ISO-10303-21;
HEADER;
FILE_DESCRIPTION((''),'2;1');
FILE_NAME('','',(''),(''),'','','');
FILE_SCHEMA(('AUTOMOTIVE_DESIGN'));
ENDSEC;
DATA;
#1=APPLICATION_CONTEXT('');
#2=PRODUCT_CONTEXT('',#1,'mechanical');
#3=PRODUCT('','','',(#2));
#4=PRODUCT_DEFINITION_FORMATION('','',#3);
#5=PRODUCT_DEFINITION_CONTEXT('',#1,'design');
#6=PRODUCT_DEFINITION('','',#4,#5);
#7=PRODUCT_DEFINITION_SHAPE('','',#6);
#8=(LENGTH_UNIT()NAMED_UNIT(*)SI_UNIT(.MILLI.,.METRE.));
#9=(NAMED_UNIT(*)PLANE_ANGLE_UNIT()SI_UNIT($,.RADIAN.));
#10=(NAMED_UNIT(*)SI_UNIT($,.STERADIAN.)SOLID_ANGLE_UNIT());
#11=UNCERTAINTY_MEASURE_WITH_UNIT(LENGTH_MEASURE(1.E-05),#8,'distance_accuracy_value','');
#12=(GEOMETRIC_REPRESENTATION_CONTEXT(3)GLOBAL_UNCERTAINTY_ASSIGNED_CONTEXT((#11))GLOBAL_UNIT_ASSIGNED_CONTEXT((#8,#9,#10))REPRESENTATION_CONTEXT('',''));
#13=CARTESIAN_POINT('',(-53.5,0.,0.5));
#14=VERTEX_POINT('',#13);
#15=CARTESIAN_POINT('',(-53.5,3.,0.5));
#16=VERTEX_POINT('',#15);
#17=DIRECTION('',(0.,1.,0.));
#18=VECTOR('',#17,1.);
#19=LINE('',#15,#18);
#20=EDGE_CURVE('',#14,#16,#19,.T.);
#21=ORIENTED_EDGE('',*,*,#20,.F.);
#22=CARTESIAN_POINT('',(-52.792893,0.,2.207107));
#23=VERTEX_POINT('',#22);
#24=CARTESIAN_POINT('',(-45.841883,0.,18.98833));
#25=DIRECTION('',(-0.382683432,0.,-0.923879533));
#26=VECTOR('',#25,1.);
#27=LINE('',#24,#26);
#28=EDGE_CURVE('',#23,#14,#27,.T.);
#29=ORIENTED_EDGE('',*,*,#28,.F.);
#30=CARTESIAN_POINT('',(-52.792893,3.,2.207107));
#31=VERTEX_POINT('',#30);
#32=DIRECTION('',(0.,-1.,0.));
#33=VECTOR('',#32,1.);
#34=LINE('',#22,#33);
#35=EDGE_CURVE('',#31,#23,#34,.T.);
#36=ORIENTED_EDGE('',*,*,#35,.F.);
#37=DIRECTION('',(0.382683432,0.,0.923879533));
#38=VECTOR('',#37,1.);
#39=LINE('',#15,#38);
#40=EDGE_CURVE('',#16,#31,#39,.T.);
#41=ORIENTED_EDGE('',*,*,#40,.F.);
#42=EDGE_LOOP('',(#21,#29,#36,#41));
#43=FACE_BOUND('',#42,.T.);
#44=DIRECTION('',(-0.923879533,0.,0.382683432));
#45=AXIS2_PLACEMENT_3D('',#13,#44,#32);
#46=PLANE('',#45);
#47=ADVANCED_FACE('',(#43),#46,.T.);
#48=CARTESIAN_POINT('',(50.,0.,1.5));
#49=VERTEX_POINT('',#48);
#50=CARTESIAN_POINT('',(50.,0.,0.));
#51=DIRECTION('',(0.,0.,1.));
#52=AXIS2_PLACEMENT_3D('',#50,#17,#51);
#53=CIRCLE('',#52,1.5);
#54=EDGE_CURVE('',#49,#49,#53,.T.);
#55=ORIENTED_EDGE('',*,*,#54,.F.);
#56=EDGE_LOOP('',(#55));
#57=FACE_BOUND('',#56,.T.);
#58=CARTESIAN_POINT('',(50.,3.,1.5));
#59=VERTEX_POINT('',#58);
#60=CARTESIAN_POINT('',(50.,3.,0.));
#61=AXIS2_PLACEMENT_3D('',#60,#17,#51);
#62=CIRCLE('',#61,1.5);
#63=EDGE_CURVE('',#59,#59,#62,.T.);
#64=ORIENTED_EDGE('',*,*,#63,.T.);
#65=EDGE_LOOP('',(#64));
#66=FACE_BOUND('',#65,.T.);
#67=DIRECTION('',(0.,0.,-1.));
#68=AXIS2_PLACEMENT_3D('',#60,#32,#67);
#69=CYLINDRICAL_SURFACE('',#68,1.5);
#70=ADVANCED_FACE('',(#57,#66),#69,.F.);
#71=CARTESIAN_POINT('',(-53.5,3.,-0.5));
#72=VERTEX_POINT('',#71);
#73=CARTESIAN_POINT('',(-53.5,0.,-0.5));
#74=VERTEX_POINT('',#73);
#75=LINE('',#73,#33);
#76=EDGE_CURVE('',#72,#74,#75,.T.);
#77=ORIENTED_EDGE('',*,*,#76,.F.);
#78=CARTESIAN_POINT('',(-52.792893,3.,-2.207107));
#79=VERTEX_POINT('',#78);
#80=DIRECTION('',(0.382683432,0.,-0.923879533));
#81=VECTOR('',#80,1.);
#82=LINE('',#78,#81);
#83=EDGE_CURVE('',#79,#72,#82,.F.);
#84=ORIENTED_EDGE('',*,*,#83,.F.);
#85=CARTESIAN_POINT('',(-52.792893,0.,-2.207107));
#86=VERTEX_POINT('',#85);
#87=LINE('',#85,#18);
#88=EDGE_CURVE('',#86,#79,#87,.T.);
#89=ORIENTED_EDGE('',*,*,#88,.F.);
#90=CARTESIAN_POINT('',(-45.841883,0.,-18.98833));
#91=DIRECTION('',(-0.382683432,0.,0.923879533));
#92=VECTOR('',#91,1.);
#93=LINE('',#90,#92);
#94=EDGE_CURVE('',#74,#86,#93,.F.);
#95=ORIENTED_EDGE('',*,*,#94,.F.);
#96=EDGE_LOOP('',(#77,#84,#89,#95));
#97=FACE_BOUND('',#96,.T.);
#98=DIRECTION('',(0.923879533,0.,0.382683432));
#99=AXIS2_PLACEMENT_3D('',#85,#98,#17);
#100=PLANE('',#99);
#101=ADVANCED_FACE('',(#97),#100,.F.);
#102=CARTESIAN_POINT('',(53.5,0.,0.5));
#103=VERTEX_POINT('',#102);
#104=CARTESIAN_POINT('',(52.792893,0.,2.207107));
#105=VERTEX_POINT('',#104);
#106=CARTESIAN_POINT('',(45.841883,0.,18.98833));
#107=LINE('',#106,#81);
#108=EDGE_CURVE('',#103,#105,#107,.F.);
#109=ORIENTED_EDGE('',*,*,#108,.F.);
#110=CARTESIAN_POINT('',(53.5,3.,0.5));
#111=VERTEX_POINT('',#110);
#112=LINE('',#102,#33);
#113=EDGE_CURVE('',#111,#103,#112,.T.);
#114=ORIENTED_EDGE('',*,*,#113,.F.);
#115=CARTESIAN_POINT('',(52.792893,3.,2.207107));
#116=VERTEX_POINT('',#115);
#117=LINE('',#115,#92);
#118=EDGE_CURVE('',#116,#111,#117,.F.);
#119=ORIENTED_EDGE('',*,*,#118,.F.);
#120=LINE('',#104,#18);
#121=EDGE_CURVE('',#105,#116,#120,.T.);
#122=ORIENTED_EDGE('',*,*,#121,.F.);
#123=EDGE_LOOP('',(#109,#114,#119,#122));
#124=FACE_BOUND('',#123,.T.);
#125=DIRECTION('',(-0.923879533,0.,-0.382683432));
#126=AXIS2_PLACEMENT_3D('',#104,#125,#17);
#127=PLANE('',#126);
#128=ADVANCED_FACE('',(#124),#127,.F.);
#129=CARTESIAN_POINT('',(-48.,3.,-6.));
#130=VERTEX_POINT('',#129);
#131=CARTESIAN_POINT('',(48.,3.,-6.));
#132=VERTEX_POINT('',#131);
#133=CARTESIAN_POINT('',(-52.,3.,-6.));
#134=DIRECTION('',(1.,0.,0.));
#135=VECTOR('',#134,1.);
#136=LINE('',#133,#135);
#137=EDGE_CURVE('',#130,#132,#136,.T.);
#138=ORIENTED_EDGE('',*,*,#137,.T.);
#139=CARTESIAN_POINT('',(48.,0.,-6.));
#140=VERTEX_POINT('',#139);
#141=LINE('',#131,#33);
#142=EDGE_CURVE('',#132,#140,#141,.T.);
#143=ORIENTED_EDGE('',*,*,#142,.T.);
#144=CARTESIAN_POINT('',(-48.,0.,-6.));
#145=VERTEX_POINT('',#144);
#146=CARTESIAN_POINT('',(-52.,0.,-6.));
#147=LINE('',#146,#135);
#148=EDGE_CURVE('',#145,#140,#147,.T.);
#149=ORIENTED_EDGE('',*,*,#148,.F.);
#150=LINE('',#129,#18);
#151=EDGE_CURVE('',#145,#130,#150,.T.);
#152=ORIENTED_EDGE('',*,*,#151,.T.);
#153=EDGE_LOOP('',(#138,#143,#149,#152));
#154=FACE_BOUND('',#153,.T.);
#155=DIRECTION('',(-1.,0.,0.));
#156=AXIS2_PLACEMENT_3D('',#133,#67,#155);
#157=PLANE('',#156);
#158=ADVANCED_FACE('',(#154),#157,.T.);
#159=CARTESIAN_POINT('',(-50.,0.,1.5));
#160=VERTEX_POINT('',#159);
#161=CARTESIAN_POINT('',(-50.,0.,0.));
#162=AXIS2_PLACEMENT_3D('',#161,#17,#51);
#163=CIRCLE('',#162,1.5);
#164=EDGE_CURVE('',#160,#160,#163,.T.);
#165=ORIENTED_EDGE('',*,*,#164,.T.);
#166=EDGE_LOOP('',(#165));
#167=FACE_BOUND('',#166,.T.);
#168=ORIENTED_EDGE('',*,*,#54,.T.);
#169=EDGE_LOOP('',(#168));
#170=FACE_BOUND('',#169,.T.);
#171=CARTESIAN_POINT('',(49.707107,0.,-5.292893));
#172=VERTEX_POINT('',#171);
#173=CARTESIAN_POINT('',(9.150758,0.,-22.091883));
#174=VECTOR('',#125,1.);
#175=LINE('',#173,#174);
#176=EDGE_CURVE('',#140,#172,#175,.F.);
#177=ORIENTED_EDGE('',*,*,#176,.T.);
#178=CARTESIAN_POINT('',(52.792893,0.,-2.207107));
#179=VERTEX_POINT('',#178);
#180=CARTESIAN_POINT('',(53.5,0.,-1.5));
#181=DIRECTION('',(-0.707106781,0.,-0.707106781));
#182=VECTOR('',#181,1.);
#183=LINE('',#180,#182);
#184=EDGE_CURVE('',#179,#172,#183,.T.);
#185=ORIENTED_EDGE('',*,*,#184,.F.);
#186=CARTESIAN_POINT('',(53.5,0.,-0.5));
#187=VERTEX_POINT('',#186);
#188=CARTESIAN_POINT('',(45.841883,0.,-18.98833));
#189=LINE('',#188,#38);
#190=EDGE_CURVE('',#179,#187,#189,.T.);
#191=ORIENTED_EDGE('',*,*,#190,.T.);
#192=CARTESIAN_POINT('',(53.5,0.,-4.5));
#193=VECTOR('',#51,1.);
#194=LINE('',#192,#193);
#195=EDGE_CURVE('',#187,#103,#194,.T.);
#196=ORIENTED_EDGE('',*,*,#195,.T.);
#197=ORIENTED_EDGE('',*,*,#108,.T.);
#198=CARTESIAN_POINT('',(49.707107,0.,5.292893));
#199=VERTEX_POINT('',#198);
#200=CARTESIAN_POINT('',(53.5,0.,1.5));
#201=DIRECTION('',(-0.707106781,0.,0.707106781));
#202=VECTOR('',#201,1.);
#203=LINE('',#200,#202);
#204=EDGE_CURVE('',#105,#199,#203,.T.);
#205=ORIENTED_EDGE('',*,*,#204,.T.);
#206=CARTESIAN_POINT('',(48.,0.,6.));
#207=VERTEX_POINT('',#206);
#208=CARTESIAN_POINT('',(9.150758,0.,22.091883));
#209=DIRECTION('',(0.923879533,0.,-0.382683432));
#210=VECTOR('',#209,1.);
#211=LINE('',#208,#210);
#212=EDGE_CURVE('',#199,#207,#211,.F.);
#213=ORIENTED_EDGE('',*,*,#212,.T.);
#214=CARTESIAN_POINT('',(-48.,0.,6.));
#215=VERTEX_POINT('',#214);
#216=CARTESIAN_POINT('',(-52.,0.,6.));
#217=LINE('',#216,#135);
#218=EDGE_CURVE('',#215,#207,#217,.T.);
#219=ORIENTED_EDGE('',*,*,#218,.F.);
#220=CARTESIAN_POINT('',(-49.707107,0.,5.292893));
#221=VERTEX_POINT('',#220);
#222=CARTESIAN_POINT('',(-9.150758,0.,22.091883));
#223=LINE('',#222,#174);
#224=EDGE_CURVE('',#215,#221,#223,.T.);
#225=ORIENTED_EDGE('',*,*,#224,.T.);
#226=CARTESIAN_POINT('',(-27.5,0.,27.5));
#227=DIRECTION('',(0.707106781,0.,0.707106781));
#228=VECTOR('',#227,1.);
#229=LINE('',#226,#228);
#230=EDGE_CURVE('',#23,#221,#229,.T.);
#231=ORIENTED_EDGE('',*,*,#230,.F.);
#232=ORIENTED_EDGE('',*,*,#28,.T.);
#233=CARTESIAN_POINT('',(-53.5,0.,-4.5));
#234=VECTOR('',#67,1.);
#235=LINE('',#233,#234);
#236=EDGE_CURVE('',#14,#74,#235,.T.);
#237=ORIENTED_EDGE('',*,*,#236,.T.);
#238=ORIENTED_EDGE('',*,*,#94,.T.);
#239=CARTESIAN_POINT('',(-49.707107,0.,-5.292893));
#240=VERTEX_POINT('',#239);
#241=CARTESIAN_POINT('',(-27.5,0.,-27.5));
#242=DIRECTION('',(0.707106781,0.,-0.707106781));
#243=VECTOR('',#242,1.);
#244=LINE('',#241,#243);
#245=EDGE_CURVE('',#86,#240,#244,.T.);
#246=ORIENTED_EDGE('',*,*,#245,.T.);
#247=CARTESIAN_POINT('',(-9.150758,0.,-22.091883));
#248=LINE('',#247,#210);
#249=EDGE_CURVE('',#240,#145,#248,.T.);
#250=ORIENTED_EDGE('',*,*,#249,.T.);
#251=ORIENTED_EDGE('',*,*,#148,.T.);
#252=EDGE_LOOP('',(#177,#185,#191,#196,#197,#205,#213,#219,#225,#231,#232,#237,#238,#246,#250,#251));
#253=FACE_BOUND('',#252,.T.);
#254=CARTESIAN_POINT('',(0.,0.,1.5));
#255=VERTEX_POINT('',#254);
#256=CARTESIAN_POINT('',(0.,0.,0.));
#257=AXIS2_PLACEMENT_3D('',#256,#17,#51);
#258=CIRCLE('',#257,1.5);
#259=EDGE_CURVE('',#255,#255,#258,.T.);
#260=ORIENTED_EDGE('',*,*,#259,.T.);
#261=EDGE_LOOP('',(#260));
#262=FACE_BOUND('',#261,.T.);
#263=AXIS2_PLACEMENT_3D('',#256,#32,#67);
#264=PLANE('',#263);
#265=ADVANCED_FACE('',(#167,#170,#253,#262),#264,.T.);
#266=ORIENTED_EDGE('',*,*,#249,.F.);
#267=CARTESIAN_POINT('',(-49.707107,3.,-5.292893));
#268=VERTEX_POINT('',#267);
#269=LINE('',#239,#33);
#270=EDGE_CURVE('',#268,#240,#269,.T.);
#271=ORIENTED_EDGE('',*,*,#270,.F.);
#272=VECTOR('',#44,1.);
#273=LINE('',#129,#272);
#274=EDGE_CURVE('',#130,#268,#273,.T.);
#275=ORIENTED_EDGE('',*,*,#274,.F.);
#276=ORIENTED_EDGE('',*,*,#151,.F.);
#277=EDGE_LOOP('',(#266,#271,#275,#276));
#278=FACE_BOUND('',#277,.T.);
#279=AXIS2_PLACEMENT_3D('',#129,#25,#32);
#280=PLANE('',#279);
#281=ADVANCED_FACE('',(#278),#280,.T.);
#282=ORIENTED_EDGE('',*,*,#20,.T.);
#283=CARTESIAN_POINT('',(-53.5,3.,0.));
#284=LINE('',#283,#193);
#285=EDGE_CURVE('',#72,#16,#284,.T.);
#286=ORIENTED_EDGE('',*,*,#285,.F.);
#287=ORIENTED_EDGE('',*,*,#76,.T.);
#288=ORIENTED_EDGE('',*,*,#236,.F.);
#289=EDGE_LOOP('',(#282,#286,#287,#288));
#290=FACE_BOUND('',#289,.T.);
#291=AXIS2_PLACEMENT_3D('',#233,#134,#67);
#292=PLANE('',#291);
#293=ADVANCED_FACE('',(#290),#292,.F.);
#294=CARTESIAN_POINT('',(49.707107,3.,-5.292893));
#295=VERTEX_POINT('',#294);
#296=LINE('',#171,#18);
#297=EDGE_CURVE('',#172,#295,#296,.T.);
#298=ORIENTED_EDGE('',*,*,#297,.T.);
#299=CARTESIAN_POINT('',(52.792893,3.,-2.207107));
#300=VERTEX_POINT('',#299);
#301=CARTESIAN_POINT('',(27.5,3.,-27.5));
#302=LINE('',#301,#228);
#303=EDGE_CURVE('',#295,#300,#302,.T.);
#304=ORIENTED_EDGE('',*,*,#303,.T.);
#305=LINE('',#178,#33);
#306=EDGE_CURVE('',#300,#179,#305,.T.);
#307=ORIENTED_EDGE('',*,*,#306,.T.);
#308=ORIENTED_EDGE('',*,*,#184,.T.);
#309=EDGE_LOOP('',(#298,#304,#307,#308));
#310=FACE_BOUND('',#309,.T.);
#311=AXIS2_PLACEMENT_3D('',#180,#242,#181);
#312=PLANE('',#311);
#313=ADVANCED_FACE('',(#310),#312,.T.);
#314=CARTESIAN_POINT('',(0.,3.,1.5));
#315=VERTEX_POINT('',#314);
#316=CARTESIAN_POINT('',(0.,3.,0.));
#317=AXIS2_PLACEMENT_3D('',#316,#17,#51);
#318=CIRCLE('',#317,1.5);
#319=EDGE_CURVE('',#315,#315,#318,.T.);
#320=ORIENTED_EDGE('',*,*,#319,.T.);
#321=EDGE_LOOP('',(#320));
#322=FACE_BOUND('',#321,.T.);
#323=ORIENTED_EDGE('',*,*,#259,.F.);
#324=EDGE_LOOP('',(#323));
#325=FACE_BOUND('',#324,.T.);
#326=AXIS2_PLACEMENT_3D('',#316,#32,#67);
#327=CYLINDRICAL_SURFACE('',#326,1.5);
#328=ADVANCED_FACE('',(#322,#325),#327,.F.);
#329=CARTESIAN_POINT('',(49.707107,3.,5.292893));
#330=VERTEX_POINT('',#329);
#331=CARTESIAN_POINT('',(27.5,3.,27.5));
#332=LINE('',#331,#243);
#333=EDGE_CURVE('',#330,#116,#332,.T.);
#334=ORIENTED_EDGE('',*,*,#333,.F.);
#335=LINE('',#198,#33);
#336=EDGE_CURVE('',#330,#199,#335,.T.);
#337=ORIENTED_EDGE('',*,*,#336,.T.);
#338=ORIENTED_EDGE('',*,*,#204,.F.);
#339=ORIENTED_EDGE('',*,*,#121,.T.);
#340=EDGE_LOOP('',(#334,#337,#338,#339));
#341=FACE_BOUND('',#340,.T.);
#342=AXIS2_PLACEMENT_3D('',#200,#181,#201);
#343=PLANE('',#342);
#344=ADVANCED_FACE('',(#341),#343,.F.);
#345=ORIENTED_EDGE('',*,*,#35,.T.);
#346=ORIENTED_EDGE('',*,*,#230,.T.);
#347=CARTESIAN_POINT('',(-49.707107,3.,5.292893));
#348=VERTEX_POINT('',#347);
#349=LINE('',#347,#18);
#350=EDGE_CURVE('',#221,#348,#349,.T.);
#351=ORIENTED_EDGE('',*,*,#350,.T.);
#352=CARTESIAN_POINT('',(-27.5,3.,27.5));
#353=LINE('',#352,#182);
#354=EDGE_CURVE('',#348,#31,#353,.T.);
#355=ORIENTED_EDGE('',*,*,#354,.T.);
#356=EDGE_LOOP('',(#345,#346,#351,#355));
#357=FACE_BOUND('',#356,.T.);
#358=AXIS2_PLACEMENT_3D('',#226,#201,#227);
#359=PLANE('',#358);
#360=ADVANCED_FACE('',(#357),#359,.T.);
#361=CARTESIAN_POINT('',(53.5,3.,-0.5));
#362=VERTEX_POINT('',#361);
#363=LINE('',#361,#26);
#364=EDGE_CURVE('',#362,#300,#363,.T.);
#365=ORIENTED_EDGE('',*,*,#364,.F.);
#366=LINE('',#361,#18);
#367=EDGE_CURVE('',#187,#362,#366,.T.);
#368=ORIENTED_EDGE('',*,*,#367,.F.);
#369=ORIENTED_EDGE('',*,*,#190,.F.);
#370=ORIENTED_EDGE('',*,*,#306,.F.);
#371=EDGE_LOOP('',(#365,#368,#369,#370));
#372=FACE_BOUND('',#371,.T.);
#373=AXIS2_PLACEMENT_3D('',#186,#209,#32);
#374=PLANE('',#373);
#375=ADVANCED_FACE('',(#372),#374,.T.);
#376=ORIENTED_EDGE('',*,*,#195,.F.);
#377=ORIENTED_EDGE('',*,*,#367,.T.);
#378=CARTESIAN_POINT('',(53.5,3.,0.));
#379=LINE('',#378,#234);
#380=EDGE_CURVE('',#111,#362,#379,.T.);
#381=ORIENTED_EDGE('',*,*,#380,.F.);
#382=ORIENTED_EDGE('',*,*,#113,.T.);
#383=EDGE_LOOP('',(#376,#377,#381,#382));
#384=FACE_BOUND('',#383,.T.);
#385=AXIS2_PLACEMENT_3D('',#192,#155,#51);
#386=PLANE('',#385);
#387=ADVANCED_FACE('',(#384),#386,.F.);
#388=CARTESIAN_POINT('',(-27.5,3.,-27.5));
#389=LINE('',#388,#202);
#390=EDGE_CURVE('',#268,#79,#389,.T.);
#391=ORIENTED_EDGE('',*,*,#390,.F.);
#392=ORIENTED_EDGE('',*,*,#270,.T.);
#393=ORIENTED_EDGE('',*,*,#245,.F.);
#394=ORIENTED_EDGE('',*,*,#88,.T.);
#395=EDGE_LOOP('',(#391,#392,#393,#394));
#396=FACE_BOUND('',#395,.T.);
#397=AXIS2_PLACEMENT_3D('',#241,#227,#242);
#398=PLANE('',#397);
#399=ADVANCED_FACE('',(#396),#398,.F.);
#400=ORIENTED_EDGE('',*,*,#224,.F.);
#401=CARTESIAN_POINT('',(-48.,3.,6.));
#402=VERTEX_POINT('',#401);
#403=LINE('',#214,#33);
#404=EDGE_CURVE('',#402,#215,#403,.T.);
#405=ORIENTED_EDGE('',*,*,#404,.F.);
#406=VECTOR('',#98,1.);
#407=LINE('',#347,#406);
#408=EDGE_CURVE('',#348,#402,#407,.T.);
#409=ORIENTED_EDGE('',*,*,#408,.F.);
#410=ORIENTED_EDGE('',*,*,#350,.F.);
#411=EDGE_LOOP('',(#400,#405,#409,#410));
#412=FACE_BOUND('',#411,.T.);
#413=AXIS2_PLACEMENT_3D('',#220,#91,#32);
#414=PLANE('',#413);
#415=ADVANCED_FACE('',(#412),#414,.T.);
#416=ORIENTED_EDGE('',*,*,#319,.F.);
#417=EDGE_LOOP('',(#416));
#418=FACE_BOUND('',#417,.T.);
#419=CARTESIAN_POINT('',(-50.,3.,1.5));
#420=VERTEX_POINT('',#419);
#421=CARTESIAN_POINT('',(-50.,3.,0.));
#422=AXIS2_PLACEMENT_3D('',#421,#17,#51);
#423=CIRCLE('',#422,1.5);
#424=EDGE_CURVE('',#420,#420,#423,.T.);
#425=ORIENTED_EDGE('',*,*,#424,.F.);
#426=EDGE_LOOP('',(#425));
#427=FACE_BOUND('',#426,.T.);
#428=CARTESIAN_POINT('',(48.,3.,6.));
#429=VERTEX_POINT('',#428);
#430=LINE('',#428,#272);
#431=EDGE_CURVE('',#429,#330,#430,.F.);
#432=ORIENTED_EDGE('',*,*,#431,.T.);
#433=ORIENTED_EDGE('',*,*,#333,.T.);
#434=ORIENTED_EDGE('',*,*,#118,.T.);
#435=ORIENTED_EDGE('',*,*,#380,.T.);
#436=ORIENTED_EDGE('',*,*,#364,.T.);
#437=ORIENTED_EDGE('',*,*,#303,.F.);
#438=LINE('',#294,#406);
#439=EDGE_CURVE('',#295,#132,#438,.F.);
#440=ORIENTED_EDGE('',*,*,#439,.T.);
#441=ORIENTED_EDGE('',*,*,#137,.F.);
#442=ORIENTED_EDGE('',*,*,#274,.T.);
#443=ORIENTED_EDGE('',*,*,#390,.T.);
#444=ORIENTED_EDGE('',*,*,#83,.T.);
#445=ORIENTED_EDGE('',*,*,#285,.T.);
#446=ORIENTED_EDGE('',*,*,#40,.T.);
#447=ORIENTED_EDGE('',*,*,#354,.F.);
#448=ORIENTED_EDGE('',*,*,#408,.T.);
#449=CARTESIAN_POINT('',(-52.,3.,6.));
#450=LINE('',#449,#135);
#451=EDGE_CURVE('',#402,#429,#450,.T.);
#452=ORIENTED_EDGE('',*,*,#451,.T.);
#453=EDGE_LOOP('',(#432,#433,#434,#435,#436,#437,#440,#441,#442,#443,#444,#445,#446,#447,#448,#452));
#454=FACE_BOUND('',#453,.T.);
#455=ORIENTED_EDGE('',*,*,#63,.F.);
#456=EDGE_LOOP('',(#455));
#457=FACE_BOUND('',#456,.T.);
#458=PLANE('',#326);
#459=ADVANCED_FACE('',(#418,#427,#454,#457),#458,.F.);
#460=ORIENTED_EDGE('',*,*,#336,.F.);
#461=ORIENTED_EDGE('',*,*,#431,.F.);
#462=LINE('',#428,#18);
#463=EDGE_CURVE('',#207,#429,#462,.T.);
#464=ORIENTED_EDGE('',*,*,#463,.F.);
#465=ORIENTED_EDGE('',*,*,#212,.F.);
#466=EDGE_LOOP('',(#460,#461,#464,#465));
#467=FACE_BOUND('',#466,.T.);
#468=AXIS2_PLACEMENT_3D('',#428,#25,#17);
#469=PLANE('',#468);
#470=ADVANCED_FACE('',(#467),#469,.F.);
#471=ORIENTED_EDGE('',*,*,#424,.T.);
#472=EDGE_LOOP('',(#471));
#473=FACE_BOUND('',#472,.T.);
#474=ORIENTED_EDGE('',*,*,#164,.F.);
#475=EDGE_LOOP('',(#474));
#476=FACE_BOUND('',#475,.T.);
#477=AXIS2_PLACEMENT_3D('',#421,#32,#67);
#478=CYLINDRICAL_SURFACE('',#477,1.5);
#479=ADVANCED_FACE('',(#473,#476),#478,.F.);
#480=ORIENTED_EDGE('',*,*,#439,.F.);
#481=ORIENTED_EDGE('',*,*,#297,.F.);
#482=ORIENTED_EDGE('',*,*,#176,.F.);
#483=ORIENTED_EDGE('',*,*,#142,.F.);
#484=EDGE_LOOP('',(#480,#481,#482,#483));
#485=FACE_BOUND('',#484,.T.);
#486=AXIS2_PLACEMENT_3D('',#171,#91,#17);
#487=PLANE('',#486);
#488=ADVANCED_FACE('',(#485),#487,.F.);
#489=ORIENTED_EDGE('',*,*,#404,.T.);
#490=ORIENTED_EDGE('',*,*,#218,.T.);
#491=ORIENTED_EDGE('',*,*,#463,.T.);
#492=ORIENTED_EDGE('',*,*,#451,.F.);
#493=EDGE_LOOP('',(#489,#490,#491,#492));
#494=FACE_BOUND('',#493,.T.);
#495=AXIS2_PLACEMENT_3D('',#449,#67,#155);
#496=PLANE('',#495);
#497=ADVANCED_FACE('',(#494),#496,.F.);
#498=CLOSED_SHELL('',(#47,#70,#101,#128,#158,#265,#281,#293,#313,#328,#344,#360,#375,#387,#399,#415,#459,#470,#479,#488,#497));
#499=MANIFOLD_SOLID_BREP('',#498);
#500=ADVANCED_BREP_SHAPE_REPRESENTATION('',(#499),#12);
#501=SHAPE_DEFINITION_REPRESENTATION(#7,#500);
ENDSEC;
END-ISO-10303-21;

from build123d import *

# Parameters (mm, degrees)
SKETCH1_R               = 1.5
BOSS_EXTRUDE1_DEPTH     = 3
CUT_EXTRUDE1_DEPTH      = 56.407580709
CUT_EXTRUDE1_DEPTH_BACK = 56.407580709
CUT_EXTRUDE2_DEPTH      = 54.918920612
CUT_EXTRUDE2_DEPTH_BACK = 54.918920612
CHAMFER1_SIZE           = 1


with BuildPart() as part:
    # Sketch1 → Boss-Extrude1 (new body)
    with BuildSketch(Plane(origin=(0, 0, 0), x_dir=(1, 0, 0), z_dir=(0, 1, 0))):
        Polygon((-55, 3), (-52, 6), (52, 6), (55, 3), (55, -3), (52, -6), (-52, -6), (-55, -3), align=None)
        with Locations(Location((-50, 0, 0), (0, 0, 270))):
            Circle(SKETCH1_R, mode=Mode.SUBTRACT)
        with Locations(Location((0, 0, 0), (0, 0, 270))):
            Circle(SKETCH1_R, mode=Mode.SUBTRACT)
        with Locations(Location((50, 0, 0), (0, 0, 270))):
            Circle(SKETCH1_R, mode=Mode.SUBTRACT)
    extrude(amount=BOSS_EXTRUDE1_DEPTH)

    # Sketch2 → Cut-Extrude1 (cut, two sides: drawn at the far end of the back side and taken through both)
    with BuildSketch(Plane(origin=(0, 3, 0), x_dir=(1, 0, 0), z_dir=(0, 1, 0)).offset(-CUT_EXTRUDE1_DEPTH_BACK)):
        Polygon((-53.5, 4.5), (-53.5, -4.5), (-55, -3), (-55, 3), align=None)
        Polygon((53.5, -4.5), (55, -3), (55, 3), (53.5, 4.5), align=None)
    extrude(amount=CUT_EXTRUDE1_DEPTH + CUT_EXTRUDE1_DEPTH_BACK, mode=Mode.SUBTRACT)

    # Sketch3 → Cut-Extrude2 (cut, two sides: drawn at the far end of the back side and taken through both)
    with BuildSketch(Plane(origin=(0, 3, 0), x_dir=(1, 0, 0), z_dir=(0, 1, 0)).offset(-CUT_EXTRUDE2_DEPTH_BACK)):
        Polygon((-49, -6), (-53.5, -1.5), (-53.5, -4.5), (-52, -6), align=None)
        Polygon((-53.5, 4.5), (-53.5, 1.5), (-49, 6), (-52, 6), align=None)
        Polygon((52, 6), (49, 6), (53.5, 1.5), (53.5, 4.5), align=None)
        Polygon((53.5, -1.5), (49, -6), (52, -6), (53.5, -4.5), align=None)
    extrude(amount=CUT_EXTRUDE2_DEPTH + CUT_EXTRUDE2_DEPTH_BACK, mode=Mode.SUBTRACT)

    # Chamfer1
    chamfer1_edges = [part.edges().sort_by_distance(p)[0] for p in [
        (49, 1.5, -6),
        (53.5, 1.5, -1.5),
        (-53.5, 1.5, -1.5),
        (-49, 1.5, -6),
        (-49, 1.5, 6),
        (-53.5, 1.5, 1.5),
        (53.5, 1.5, 1.5),
        (49, 1.5, 6),
    ]]
    chamfer(chamfer1_edges, length=CHAMFER1_SIZE)


solid = part.part
